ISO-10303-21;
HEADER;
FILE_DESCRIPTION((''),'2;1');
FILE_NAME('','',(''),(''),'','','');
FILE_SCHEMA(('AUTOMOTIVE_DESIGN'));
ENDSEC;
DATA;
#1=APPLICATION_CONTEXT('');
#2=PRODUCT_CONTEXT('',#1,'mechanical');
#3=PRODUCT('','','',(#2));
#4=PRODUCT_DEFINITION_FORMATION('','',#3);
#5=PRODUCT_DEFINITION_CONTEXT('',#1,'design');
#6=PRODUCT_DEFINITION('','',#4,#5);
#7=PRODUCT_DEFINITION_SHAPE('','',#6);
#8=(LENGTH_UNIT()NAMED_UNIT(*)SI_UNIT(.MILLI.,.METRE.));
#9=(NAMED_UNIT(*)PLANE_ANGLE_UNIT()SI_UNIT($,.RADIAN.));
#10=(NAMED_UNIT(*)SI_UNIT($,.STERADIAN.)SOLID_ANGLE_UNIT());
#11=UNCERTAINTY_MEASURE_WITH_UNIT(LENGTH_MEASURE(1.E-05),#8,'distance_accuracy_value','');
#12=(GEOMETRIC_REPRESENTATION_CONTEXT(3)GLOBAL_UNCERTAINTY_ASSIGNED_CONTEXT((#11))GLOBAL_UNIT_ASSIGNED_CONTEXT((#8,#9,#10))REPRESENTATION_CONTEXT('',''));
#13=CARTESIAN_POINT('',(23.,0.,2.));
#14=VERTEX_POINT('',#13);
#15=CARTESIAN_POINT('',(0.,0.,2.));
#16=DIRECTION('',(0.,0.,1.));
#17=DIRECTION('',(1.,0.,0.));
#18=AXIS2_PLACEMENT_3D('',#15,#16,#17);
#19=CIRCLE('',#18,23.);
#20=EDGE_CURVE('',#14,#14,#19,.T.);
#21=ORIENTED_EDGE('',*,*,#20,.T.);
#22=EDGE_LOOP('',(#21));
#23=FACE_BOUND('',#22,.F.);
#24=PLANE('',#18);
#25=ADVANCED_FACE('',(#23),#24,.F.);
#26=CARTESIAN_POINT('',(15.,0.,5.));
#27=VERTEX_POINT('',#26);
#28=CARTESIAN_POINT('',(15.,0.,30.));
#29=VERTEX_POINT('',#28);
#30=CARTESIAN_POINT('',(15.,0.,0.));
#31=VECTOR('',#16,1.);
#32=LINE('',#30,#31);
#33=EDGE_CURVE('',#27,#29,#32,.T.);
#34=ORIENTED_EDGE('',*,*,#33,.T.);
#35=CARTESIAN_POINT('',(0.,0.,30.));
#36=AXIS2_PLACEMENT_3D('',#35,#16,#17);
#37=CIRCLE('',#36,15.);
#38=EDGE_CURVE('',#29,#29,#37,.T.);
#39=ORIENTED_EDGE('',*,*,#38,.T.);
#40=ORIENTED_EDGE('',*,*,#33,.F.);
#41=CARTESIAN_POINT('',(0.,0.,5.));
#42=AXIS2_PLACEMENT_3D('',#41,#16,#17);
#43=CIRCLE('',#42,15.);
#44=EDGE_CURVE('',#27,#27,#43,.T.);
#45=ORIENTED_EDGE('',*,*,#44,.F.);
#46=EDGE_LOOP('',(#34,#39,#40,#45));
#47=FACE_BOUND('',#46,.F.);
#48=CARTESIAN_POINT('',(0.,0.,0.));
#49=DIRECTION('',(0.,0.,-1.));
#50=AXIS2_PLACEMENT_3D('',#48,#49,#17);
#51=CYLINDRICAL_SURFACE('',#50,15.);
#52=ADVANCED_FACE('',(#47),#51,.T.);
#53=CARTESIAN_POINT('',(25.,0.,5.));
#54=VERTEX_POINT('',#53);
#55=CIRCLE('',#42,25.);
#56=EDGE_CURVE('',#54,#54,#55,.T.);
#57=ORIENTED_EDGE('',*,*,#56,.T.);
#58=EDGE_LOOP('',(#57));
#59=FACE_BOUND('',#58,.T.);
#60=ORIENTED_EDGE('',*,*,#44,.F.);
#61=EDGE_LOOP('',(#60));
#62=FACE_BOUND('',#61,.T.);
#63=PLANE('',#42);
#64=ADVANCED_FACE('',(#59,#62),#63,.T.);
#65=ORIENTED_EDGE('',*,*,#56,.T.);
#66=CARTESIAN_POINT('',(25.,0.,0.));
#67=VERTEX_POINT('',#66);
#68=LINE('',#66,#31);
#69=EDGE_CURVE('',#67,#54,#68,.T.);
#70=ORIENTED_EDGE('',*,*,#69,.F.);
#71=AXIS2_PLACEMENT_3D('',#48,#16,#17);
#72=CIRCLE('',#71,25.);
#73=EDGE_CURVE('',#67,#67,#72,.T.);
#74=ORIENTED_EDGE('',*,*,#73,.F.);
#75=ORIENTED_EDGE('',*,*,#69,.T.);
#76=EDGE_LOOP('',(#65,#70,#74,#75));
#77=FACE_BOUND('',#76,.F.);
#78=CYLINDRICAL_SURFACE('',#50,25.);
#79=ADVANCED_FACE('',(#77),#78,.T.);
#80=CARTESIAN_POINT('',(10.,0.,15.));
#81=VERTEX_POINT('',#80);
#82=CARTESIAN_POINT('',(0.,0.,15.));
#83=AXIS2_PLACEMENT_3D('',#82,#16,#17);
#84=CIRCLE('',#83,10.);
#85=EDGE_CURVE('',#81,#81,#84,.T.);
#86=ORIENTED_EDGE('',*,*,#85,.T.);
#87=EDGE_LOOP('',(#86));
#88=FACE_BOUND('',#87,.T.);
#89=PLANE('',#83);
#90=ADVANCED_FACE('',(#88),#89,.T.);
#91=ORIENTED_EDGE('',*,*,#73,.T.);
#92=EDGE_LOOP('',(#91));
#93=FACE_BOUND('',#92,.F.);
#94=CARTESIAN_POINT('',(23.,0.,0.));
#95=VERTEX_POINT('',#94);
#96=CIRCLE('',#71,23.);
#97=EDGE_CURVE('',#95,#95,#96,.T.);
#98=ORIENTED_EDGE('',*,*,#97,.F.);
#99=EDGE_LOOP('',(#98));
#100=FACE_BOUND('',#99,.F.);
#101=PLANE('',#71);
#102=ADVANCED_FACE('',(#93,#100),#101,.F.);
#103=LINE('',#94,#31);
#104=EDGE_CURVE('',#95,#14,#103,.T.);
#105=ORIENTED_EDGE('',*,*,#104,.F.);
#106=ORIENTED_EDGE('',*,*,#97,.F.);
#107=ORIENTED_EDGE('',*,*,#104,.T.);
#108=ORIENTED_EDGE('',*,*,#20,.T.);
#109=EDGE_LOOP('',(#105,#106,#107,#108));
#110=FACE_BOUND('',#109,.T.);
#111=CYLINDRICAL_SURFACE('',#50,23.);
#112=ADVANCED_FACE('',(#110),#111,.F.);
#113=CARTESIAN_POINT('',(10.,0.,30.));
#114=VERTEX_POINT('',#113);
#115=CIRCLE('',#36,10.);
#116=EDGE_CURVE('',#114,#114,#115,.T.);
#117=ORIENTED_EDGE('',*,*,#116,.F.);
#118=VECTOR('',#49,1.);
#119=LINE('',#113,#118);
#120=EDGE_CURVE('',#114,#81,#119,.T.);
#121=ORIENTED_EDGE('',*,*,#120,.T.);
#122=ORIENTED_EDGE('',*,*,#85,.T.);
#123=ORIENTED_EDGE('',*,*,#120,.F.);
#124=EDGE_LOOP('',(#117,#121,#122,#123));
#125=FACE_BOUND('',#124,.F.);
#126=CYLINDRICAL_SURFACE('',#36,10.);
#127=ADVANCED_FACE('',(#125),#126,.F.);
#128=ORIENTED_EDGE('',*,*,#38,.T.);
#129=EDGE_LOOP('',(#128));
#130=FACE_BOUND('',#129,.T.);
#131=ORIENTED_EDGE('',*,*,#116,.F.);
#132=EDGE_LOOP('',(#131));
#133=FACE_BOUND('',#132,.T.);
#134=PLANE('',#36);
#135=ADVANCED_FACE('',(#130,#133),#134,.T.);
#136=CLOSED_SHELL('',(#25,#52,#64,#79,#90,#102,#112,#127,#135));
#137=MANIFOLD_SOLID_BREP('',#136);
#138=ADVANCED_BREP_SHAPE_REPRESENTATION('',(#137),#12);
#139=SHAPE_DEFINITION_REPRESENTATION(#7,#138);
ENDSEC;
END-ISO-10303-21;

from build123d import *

# Parameters (mm, degrees)
F0_R     = 25
F0_R_2   = 15
F1_DEPTH = 5
F2_DEPTH = 30
F3_R     = 10
F4_DEPTH = 15
F5_R     = 23
F6_DEPTH = 2


with BuildPart() as f1:
    # F0 (on Top) → F1 (new body)
    with BuildSketch(Plane.XY):
        Circle(F0_R)
        Circle(F0_R_2, mode=Mode.SUBTRACT)
    extrude(amount=F1_DEPTH)

    # F0 (on Top) → F2 (join)
    with BuildSketch(Plane.XY):
        Circle(F0_R_2)
    extrude(amount=F2_DEPTH)

    # F3 (on face) → F4 (cut)
    with BuildSketch(Plane.XY.offset(30)):
        Circle(F3_R)
    extrude(amount=-F4_DEPTH, mode=Mode.SUBTRACT)

    # F5 (on face) → F6 (cut)
    with BuildSketch(Plane.XY):
        Circle(F5_R)
    extrude(amount=F6_DEPTH, mode=Mode.SUBTRACT)


solid = f1.part
